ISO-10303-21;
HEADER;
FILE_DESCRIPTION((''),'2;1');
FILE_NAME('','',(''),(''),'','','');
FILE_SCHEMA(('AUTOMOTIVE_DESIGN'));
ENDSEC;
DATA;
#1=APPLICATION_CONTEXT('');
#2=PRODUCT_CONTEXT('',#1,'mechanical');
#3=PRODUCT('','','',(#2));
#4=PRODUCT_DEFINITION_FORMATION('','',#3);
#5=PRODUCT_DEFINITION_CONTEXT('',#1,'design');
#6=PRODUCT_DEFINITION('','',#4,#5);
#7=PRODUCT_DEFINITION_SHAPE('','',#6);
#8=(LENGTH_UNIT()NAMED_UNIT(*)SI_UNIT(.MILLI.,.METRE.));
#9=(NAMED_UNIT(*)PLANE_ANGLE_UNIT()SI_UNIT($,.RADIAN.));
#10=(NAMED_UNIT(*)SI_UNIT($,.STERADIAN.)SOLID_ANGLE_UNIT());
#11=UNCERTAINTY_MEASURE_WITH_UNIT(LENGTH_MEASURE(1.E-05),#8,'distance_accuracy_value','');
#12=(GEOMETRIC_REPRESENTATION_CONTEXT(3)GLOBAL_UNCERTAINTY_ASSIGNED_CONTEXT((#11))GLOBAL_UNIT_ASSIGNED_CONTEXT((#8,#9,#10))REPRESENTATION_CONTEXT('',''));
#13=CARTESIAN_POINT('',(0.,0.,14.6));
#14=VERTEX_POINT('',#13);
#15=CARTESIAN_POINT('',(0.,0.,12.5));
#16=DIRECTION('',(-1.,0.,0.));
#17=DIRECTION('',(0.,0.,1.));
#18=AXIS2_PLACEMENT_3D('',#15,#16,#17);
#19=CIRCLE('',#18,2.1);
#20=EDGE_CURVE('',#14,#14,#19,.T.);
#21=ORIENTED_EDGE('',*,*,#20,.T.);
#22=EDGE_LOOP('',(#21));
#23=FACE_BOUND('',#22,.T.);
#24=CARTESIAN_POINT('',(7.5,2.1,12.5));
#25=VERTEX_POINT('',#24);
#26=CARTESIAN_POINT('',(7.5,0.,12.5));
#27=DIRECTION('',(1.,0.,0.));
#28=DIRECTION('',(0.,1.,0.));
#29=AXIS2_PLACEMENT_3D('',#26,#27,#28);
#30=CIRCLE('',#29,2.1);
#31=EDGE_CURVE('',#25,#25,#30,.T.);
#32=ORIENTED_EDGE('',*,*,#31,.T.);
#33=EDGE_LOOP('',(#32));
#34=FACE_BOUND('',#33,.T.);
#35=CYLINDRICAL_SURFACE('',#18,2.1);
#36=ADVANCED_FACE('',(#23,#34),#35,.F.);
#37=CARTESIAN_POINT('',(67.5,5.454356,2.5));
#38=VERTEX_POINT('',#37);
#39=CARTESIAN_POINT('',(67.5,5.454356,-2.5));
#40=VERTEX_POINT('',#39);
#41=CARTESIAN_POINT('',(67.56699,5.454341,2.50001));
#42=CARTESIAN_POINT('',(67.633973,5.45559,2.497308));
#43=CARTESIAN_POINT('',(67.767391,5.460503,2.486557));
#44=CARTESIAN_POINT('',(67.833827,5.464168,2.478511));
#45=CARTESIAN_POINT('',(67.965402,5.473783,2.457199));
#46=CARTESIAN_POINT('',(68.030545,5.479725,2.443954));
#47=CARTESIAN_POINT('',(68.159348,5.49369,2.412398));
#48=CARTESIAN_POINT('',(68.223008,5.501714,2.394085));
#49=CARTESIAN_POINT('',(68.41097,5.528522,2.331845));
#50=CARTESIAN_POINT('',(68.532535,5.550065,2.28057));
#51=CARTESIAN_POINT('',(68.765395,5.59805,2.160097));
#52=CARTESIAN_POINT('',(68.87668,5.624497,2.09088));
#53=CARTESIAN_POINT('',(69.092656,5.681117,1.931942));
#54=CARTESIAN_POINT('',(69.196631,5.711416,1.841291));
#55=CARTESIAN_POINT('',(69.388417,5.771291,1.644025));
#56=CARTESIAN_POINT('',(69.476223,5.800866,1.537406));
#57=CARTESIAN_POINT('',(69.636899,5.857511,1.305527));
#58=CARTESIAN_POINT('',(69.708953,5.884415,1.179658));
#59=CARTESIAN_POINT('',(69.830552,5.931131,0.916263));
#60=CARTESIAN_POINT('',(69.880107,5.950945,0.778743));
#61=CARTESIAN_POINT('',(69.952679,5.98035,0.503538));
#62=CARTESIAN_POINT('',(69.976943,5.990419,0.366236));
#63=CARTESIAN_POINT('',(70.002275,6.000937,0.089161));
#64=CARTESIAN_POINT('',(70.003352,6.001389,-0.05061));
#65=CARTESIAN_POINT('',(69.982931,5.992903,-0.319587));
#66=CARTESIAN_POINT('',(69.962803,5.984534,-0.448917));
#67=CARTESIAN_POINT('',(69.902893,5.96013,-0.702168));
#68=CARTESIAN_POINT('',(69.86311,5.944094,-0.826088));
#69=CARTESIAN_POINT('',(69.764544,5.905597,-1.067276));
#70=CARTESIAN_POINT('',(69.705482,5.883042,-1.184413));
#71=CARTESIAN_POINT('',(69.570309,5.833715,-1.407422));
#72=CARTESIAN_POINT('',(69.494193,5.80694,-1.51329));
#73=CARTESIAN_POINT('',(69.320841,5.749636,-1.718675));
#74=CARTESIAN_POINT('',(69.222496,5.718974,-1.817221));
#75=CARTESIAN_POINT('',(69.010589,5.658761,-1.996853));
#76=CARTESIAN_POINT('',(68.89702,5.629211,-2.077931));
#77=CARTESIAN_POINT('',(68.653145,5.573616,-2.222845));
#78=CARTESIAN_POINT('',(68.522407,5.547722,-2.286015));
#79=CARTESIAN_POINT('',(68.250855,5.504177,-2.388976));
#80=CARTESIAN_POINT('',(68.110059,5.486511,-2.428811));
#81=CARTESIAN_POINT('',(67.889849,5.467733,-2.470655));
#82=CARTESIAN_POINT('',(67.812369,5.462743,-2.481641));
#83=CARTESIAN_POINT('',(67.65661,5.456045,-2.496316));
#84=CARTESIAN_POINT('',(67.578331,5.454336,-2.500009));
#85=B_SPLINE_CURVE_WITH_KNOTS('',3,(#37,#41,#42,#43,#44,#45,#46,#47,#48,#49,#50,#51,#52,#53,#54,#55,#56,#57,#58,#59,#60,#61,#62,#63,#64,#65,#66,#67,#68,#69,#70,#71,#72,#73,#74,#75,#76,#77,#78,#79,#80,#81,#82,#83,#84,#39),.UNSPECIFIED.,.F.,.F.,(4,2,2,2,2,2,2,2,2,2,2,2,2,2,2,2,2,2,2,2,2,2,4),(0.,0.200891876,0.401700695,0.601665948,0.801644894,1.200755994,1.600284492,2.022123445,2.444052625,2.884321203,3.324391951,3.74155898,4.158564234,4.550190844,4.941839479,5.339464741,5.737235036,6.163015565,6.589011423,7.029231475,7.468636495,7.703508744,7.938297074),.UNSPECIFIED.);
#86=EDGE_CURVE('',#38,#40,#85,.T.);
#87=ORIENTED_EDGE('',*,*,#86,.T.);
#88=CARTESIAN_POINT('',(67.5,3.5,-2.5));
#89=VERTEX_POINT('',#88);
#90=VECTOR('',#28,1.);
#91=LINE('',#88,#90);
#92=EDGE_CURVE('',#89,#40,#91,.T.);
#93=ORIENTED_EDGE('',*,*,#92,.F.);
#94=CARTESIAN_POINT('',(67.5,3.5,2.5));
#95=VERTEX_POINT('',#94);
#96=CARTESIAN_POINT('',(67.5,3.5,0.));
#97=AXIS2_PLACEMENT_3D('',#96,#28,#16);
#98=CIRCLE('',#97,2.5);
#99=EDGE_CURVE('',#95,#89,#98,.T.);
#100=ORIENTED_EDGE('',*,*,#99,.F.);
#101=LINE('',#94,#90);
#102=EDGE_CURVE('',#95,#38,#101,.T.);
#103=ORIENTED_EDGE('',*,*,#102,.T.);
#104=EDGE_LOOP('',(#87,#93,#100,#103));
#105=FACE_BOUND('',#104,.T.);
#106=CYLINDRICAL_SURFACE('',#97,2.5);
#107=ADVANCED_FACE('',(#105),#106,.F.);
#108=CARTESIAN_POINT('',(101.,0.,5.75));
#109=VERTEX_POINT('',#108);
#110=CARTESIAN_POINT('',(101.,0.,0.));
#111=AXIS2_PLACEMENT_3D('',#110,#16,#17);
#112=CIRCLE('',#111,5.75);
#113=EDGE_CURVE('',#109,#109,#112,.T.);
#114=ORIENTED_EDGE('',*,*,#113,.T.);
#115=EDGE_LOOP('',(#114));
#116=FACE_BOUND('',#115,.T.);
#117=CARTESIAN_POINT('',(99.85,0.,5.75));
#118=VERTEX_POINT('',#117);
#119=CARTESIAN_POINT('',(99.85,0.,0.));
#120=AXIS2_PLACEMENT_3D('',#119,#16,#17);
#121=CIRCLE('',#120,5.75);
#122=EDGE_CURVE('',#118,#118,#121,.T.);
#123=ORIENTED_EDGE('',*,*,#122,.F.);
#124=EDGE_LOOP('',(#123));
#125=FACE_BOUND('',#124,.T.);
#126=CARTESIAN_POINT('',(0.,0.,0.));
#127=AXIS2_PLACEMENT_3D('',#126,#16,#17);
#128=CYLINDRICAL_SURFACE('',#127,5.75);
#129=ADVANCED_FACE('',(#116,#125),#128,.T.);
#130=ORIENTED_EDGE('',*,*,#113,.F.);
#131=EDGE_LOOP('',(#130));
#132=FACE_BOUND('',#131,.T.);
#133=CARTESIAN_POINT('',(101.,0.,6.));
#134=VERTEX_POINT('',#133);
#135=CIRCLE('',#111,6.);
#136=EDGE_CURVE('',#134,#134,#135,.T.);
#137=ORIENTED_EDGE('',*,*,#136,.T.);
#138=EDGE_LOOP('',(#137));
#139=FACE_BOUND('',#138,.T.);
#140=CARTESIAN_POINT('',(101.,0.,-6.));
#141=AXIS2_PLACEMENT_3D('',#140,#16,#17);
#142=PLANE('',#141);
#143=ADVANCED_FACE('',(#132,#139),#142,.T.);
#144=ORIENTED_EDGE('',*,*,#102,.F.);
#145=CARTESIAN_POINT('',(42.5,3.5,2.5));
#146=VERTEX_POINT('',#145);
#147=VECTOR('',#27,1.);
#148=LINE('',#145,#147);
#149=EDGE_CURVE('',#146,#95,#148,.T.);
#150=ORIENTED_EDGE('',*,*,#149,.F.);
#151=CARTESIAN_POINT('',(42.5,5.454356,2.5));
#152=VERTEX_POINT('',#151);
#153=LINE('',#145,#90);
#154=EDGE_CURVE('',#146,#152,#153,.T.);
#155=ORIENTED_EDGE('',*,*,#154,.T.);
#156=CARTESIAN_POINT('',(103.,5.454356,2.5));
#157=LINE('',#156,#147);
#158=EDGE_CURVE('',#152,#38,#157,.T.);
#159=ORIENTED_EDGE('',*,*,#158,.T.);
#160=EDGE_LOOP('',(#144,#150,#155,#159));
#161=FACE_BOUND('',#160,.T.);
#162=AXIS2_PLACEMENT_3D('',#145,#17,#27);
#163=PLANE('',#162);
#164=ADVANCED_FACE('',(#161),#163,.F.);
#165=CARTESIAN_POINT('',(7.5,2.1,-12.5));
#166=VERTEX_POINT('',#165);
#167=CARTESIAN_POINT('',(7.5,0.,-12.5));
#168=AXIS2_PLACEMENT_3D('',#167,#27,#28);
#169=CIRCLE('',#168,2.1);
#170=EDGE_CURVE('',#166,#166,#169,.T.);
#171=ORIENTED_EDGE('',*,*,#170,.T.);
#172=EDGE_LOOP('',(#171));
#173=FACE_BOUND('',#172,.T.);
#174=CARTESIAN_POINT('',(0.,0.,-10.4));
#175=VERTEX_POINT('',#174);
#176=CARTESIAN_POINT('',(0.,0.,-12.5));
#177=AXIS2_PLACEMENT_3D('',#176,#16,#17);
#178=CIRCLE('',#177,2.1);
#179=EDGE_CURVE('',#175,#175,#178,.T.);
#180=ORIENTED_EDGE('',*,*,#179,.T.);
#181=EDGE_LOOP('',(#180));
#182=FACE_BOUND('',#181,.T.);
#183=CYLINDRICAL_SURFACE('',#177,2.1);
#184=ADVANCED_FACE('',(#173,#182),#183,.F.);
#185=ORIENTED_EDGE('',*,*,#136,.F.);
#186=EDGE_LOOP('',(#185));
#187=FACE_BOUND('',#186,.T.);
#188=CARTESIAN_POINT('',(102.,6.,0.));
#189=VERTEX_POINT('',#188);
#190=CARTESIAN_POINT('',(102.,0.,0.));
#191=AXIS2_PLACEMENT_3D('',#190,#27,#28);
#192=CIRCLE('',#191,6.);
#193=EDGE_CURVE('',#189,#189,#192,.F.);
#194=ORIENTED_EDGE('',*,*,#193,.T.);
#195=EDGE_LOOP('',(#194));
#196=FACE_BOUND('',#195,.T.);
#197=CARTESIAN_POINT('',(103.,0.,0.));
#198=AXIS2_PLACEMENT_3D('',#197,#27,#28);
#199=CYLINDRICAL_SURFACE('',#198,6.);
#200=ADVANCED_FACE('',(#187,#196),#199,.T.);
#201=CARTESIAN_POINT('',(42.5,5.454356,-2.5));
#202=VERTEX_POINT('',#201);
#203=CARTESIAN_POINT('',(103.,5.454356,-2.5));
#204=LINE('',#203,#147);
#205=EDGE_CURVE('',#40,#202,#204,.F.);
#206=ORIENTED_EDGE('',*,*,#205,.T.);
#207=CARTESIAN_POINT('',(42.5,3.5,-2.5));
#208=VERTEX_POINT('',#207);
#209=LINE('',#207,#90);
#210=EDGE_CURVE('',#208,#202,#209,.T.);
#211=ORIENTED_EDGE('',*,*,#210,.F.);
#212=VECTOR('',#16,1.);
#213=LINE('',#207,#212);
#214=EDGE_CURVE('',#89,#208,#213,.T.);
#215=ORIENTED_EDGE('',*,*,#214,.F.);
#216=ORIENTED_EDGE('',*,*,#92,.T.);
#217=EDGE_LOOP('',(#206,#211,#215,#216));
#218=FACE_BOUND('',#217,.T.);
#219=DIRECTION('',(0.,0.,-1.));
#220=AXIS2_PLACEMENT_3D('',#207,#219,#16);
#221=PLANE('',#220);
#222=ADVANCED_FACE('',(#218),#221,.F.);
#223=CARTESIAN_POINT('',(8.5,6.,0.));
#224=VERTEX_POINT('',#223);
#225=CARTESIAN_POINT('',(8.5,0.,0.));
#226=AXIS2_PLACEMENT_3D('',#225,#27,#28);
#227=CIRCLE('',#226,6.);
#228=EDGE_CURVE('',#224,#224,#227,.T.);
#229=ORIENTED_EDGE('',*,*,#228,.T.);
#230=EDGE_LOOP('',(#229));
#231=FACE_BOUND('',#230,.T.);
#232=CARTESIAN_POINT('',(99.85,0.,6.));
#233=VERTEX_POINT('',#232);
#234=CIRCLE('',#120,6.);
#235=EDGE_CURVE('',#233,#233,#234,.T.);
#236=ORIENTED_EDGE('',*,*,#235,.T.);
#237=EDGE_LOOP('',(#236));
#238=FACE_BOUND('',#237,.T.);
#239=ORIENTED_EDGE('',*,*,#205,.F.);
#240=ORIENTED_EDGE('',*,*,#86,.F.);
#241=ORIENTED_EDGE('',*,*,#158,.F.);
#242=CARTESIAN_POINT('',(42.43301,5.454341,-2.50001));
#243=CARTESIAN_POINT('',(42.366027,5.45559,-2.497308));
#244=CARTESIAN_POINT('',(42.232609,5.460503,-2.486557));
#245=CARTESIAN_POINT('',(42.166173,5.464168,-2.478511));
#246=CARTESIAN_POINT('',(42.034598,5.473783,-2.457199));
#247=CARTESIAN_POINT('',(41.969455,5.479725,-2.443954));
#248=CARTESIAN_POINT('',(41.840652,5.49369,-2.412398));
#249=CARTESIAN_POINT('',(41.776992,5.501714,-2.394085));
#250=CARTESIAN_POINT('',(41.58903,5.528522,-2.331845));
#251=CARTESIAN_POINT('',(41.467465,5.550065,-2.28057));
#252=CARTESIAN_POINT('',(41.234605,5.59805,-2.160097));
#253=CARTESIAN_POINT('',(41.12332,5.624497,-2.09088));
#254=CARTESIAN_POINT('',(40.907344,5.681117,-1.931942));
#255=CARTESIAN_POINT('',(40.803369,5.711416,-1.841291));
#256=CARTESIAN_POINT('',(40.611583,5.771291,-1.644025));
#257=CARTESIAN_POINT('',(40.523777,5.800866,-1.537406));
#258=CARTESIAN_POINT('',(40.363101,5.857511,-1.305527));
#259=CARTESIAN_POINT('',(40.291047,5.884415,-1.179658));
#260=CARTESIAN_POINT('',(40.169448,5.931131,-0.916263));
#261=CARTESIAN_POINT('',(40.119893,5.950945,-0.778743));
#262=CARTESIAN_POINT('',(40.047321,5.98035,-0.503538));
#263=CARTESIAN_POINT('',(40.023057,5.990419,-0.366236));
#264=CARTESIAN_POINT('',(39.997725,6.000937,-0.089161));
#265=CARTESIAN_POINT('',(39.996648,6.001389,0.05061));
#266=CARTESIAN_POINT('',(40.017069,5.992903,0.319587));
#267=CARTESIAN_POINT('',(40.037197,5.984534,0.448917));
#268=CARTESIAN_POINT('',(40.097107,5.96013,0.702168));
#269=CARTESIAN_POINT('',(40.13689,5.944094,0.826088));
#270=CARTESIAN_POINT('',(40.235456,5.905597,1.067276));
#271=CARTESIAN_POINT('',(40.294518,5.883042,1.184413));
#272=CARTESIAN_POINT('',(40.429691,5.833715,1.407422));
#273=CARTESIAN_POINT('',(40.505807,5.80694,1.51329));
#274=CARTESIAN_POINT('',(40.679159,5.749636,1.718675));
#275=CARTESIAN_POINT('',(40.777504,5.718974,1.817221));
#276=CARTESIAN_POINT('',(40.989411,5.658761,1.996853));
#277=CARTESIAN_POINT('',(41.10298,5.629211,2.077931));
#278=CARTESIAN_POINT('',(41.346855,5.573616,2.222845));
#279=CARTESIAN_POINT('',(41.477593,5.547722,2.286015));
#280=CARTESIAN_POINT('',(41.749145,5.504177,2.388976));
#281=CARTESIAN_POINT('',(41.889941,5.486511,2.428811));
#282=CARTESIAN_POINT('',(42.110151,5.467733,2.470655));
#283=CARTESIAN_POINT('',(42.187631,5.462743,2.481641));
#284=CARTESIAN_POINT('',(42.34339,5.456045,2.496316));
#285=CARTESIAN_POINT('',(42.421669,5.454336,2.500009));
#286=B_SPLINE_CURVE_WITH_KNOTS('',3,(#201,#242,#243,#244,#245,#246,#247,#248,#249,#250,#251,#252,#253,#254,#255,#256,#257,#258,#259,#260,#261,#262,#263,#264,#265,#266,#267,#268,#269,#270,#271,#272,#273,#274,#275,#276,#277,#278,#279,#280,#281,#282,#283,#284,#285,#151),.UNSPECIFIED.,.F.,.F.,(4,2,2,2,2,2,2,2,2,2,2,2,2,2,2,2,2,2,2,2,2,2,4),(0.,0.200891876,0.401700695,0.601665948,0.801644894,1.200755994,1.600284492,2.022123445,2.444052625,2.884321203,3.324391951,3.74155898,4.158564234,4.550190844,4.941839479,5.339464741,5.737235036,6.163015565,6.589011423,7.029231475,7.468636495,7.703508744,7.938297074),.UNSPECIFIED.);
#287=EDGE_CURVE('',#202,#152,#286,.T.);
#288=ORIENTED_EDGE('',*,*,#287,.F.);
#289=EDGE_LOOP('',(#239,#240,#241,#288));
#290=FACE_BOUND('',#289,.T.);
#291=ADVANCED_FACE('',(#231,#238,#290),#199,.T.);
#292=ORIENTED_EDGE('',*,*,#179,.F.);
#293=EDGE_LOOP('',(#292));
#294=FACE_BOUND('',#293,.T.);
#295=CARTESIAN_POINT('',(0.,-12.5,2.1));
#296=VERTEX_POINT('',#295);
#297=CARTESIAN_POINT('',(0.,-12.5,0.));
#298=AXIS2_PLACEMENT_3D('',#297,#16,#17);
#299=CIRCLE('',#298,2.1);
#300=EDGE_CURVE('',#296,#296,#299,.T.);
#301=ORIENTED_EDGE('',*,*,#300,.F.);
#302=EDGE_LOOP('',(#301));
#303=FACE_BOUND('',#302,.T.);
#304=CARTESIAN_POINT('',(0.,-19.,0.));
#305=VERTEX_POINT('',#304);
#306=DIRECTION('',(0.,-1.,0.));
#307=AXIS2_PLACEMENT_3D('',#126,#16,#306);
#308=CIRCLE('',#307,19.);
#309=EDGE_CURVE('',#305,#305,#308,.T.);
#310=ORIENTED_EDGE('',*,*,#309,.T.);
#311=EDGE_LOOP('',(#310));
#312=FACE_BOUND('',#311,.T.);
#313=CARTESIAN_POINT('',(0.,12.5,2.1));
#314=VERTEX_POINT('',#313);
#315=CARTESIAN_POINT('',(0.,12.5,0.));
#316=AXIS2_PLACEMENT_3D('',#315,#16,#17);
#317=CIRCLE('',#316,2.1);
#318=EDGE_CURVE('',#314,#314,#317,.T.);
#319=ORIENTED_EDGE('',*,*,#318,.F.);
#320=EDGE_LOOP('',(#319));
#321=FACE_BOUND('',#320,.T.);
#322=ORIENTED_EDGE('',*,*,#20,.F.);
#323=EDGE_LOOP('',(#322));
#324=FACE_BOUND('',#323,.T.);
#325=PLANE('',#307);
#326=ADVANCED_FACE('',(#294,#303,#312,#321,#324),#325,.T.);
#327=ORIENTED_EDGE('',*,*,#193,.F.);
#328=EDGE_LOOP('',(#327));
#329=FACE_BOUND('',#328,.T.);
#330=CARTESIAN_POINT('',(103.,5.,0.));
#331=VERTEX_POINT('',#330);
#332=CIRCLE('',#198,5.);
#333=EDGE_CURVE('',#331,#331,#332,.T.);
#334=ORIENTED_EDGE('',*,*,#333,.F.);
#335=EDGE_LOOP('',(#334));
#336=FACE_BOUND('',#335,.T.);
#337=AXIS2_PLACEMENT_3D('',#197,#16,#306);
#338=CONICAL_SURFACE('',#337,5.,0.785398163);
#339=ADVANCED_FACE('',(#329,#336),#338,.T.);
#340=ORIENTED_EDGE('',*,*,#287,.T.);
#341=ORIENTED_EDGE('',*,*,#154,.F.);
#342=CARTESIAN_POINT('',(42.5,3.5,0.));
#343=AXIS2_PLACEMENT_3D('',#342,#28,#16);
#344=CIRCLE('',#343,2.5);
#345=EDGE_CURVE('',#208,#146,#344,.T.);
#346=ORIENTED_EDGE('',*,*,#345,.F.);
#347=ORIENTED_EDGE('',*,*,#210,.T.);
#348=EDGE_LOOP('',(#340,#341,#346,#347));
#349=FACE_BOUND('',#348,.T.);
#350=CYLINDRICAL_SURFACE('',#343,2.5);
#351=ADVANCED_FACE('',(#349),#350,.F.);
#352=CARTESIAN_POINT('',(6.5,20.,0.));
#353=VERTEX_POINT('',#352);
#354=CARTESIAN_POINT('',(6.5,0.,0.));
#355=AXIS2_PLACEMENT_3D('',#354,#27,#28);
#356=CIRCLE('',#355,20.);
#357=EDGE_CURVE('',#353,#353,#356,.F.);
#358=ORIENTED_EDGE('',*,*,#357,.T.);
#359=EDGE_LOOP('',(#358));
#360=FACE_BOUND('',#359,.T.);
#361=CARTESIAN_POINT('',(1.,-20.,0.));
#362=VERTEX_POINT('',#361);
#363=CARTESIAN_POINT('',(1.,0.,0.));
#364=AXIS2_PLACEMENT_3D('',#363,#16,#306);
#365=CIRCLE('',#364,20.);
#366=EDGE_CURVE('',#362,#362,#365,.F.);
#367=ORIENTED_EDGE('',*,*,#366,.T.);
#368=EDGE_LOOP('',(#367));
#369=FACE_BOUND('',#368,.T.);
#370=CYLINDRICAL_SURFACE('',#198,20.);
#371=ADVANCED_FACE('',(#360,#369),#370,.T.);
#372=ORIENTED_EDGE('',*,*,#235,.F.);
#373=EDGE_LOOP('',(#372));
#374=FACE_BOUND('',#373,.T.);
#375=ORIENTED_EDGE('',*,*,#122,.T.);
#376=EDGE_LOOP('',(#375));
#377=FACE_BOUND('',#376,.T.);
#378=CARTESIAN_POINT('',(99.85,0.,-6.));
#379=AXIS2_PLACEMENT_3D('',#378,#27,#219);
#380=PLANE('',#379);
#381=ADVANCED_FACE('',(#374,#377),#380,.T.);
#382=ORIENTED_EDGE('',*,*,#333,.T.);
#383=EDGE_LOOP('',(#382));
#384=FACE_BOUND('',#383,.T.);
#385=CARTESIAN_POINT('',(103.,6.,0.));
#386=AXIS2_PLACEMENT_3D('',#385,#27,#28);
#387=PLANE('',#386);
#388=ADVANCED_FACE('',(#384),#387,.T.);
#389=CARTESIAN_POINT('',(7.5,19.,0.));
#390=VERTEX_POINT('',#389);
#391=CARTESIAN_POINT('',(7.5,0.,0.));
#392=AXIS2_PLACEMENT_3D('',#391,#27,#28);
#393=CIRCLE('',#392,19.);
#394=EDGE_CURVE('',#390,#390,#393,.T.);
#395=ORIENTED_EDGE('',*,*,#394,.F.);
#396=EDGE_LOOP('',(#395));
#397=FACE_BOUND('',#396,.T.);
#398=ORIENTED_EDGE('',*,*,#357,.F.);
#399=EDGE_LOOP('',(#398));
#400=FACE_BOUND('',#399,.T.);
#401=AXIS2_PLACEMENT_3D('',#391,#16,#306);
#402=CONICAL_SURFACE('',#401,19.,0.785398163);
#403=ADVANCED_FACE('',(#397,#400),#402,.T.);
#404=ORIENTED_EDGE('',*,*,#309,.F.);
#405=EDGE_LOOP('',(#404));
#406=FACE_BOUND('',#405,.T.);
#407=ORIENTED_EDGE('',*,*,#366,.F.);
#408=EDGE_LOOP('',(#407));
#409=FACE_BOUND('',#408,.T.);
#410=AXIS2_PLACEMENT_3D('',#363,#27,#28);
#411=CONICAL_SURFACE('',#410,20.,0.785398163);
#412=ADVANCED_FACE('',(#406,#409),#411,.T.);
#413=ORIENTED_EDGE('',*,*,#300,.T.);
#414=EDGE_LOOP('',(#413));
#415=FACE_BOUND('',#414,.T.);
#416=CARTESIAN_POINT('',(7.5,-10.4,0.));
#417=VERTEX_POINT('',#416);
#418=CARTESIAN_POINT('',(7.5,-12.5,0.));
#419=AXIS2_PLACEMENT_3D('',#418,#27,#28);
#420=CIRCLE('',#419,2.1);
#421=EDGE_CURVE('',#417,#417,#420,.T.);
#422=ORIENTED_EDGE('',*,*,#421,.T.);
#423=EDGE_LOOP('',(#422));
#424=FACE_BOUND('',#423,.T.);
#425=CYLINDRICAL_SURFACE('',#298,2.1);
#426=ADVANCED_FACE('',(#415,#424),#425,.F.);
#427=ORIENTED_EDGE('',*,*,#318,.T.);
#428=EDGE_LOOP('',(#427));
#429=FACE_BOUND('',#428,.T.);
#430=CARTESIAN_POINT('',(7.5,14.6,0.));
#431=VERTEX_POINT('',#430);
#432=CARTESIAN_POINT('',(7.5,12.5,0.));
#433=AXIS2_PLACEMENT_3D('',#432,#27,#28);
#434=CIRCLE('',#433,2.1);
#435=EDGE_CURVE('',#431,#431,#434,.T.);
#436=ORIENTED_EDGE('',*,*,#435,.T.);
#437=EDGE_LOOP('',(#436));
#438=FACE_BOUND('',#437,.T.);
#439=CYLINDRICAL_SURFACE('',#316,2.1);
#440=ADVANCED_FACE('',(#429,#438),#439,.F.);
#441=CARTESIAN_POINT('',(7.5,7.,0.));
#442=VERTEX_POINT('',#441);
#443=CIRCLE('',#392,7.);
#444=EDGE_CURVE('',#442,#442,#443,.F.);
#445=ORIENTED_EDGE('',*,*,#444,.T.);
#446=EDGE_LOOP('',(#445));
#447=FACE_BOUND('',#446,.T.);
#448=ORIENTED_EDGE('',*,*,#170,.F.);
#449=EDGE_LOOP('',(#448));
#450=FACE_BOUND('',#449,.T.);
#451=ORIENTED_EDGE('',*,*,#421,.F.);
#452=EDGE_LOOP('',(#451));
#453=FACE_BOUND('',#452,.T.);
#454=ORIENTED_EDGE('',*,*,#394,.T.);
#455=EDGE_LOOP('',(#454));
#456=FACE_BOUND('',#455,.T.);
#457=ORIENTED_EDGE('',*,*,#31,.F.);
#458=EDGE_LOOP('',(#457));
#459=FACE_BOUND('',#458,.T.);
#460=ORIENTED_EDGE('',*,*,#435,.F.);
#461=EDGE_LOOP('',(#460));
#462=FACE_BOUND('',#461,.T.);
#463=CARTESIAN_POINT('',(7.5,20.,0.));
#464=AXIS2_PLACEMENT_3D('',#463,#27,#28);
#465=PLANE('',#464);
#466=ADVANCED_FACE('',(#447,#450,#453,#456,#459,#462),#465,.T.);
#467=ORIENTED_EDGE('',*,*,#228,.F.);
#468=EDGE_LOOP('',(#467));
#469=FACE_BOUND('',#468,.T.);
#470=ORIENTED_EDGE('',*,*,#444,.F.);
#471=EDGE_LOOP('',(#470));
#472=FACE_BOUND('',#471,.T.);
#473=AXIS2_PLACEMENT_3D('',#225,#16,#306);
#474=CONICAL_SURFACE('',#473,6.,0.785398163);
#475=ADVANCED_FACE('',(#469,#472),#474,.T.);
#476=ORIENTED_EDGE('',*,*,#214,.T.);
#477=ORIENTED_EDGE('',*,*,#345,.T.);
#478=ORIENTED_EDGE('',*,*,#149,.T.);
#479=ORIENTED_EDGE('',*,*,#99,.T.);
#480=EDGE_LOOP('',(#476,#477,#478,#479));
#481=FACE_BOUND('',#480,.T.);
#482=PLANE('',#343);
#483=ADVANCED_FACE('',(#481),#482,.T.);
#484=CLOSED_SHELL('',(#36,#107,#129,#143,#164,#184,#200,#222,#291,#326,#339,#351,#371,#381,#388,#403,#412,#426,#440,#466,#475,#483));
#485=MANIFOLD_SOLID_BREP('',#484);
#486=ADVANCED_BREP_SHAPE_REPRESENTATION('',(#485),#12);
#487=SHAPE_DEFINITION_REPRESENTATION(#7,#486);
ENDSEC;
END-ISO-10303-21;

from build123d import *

# Parameters (mm, degrees)
CHAMFER1_SIZE      = 1
M5_TAPPED_HOLE1_D  = 4.2
CUT_EXTRUDE1_DEPTH = 2.5
SKETCH6_W          = 1.15
SKETCH6_H          = 0.25


with BuildPart() as part:
    # Sketch1 → Revolve1 (revolve)
    with BuildSketch(Plane.XY):
        Polygon((0, 0), (0, 20), (7.5, 20), (7.5, 6), (103, 6), (103, 0), align=None)
    revolve(axis=Axis((103, 0, 0), (-1, 0, 0)))

    # Chamfer1
    chamfer1_edges = [part.edges().sort_by_distance(p)[0] for p in [
        (103, -6, 0),
        (7.5, -6, 0),
        (7.5, -20, 0),
        (0, -20, 0),
    ]]
    chamfer(chamfer1_edges, length=CHAMFER1_SIZE)

    # M5 Tapped Hole1 (through all)
    with Locations(Plane.ZY):
        with Locations((-12.5, 0), (0, 12.5), (12.5, 0), (0, -12.5)):
            Hole(M5_TAPPED_HOLE1_D / 2)

    # Sketch5 → Cut-Extrude1 (cut)
    with BuildSketch(Plane(origin=(0, 6, 0), x_dir=(1, 0, 0), z_dir=(0, 1, 0))):
        with BuildLine():
            Line((42.5, 2.5), (67.5, 2.5))
            ThreePointArc((67.5, 2.5), (70, 0), (67.5, -2.5))
            Line((67.5, -2.5), (42.5, -2.5))
            ThreePointArc((42.5, -2.5), (40, 0), (42.5, 2.5))
        make_face()
    extrude(amount=-CUT_EXTRUDE1_DEPTH, mode=Mode.SUBTRACT)

    # Sketch6 → Cut-Revolve1 (revolve, cut)
    with BuildSketch(Plane(origin=(0, 0, 0), x_dir=(1, 0, 0), z_dir=(0, 1, 0))):
        with Locations((100.425, 5.875)):
            Rectangle(SKETCH6_W, SKETCH6_H)
    revolve(axis=Axis((0, 0, 0), (1, 0, 0)), mode=Mode.SUBTRACT)


solid = part.part
